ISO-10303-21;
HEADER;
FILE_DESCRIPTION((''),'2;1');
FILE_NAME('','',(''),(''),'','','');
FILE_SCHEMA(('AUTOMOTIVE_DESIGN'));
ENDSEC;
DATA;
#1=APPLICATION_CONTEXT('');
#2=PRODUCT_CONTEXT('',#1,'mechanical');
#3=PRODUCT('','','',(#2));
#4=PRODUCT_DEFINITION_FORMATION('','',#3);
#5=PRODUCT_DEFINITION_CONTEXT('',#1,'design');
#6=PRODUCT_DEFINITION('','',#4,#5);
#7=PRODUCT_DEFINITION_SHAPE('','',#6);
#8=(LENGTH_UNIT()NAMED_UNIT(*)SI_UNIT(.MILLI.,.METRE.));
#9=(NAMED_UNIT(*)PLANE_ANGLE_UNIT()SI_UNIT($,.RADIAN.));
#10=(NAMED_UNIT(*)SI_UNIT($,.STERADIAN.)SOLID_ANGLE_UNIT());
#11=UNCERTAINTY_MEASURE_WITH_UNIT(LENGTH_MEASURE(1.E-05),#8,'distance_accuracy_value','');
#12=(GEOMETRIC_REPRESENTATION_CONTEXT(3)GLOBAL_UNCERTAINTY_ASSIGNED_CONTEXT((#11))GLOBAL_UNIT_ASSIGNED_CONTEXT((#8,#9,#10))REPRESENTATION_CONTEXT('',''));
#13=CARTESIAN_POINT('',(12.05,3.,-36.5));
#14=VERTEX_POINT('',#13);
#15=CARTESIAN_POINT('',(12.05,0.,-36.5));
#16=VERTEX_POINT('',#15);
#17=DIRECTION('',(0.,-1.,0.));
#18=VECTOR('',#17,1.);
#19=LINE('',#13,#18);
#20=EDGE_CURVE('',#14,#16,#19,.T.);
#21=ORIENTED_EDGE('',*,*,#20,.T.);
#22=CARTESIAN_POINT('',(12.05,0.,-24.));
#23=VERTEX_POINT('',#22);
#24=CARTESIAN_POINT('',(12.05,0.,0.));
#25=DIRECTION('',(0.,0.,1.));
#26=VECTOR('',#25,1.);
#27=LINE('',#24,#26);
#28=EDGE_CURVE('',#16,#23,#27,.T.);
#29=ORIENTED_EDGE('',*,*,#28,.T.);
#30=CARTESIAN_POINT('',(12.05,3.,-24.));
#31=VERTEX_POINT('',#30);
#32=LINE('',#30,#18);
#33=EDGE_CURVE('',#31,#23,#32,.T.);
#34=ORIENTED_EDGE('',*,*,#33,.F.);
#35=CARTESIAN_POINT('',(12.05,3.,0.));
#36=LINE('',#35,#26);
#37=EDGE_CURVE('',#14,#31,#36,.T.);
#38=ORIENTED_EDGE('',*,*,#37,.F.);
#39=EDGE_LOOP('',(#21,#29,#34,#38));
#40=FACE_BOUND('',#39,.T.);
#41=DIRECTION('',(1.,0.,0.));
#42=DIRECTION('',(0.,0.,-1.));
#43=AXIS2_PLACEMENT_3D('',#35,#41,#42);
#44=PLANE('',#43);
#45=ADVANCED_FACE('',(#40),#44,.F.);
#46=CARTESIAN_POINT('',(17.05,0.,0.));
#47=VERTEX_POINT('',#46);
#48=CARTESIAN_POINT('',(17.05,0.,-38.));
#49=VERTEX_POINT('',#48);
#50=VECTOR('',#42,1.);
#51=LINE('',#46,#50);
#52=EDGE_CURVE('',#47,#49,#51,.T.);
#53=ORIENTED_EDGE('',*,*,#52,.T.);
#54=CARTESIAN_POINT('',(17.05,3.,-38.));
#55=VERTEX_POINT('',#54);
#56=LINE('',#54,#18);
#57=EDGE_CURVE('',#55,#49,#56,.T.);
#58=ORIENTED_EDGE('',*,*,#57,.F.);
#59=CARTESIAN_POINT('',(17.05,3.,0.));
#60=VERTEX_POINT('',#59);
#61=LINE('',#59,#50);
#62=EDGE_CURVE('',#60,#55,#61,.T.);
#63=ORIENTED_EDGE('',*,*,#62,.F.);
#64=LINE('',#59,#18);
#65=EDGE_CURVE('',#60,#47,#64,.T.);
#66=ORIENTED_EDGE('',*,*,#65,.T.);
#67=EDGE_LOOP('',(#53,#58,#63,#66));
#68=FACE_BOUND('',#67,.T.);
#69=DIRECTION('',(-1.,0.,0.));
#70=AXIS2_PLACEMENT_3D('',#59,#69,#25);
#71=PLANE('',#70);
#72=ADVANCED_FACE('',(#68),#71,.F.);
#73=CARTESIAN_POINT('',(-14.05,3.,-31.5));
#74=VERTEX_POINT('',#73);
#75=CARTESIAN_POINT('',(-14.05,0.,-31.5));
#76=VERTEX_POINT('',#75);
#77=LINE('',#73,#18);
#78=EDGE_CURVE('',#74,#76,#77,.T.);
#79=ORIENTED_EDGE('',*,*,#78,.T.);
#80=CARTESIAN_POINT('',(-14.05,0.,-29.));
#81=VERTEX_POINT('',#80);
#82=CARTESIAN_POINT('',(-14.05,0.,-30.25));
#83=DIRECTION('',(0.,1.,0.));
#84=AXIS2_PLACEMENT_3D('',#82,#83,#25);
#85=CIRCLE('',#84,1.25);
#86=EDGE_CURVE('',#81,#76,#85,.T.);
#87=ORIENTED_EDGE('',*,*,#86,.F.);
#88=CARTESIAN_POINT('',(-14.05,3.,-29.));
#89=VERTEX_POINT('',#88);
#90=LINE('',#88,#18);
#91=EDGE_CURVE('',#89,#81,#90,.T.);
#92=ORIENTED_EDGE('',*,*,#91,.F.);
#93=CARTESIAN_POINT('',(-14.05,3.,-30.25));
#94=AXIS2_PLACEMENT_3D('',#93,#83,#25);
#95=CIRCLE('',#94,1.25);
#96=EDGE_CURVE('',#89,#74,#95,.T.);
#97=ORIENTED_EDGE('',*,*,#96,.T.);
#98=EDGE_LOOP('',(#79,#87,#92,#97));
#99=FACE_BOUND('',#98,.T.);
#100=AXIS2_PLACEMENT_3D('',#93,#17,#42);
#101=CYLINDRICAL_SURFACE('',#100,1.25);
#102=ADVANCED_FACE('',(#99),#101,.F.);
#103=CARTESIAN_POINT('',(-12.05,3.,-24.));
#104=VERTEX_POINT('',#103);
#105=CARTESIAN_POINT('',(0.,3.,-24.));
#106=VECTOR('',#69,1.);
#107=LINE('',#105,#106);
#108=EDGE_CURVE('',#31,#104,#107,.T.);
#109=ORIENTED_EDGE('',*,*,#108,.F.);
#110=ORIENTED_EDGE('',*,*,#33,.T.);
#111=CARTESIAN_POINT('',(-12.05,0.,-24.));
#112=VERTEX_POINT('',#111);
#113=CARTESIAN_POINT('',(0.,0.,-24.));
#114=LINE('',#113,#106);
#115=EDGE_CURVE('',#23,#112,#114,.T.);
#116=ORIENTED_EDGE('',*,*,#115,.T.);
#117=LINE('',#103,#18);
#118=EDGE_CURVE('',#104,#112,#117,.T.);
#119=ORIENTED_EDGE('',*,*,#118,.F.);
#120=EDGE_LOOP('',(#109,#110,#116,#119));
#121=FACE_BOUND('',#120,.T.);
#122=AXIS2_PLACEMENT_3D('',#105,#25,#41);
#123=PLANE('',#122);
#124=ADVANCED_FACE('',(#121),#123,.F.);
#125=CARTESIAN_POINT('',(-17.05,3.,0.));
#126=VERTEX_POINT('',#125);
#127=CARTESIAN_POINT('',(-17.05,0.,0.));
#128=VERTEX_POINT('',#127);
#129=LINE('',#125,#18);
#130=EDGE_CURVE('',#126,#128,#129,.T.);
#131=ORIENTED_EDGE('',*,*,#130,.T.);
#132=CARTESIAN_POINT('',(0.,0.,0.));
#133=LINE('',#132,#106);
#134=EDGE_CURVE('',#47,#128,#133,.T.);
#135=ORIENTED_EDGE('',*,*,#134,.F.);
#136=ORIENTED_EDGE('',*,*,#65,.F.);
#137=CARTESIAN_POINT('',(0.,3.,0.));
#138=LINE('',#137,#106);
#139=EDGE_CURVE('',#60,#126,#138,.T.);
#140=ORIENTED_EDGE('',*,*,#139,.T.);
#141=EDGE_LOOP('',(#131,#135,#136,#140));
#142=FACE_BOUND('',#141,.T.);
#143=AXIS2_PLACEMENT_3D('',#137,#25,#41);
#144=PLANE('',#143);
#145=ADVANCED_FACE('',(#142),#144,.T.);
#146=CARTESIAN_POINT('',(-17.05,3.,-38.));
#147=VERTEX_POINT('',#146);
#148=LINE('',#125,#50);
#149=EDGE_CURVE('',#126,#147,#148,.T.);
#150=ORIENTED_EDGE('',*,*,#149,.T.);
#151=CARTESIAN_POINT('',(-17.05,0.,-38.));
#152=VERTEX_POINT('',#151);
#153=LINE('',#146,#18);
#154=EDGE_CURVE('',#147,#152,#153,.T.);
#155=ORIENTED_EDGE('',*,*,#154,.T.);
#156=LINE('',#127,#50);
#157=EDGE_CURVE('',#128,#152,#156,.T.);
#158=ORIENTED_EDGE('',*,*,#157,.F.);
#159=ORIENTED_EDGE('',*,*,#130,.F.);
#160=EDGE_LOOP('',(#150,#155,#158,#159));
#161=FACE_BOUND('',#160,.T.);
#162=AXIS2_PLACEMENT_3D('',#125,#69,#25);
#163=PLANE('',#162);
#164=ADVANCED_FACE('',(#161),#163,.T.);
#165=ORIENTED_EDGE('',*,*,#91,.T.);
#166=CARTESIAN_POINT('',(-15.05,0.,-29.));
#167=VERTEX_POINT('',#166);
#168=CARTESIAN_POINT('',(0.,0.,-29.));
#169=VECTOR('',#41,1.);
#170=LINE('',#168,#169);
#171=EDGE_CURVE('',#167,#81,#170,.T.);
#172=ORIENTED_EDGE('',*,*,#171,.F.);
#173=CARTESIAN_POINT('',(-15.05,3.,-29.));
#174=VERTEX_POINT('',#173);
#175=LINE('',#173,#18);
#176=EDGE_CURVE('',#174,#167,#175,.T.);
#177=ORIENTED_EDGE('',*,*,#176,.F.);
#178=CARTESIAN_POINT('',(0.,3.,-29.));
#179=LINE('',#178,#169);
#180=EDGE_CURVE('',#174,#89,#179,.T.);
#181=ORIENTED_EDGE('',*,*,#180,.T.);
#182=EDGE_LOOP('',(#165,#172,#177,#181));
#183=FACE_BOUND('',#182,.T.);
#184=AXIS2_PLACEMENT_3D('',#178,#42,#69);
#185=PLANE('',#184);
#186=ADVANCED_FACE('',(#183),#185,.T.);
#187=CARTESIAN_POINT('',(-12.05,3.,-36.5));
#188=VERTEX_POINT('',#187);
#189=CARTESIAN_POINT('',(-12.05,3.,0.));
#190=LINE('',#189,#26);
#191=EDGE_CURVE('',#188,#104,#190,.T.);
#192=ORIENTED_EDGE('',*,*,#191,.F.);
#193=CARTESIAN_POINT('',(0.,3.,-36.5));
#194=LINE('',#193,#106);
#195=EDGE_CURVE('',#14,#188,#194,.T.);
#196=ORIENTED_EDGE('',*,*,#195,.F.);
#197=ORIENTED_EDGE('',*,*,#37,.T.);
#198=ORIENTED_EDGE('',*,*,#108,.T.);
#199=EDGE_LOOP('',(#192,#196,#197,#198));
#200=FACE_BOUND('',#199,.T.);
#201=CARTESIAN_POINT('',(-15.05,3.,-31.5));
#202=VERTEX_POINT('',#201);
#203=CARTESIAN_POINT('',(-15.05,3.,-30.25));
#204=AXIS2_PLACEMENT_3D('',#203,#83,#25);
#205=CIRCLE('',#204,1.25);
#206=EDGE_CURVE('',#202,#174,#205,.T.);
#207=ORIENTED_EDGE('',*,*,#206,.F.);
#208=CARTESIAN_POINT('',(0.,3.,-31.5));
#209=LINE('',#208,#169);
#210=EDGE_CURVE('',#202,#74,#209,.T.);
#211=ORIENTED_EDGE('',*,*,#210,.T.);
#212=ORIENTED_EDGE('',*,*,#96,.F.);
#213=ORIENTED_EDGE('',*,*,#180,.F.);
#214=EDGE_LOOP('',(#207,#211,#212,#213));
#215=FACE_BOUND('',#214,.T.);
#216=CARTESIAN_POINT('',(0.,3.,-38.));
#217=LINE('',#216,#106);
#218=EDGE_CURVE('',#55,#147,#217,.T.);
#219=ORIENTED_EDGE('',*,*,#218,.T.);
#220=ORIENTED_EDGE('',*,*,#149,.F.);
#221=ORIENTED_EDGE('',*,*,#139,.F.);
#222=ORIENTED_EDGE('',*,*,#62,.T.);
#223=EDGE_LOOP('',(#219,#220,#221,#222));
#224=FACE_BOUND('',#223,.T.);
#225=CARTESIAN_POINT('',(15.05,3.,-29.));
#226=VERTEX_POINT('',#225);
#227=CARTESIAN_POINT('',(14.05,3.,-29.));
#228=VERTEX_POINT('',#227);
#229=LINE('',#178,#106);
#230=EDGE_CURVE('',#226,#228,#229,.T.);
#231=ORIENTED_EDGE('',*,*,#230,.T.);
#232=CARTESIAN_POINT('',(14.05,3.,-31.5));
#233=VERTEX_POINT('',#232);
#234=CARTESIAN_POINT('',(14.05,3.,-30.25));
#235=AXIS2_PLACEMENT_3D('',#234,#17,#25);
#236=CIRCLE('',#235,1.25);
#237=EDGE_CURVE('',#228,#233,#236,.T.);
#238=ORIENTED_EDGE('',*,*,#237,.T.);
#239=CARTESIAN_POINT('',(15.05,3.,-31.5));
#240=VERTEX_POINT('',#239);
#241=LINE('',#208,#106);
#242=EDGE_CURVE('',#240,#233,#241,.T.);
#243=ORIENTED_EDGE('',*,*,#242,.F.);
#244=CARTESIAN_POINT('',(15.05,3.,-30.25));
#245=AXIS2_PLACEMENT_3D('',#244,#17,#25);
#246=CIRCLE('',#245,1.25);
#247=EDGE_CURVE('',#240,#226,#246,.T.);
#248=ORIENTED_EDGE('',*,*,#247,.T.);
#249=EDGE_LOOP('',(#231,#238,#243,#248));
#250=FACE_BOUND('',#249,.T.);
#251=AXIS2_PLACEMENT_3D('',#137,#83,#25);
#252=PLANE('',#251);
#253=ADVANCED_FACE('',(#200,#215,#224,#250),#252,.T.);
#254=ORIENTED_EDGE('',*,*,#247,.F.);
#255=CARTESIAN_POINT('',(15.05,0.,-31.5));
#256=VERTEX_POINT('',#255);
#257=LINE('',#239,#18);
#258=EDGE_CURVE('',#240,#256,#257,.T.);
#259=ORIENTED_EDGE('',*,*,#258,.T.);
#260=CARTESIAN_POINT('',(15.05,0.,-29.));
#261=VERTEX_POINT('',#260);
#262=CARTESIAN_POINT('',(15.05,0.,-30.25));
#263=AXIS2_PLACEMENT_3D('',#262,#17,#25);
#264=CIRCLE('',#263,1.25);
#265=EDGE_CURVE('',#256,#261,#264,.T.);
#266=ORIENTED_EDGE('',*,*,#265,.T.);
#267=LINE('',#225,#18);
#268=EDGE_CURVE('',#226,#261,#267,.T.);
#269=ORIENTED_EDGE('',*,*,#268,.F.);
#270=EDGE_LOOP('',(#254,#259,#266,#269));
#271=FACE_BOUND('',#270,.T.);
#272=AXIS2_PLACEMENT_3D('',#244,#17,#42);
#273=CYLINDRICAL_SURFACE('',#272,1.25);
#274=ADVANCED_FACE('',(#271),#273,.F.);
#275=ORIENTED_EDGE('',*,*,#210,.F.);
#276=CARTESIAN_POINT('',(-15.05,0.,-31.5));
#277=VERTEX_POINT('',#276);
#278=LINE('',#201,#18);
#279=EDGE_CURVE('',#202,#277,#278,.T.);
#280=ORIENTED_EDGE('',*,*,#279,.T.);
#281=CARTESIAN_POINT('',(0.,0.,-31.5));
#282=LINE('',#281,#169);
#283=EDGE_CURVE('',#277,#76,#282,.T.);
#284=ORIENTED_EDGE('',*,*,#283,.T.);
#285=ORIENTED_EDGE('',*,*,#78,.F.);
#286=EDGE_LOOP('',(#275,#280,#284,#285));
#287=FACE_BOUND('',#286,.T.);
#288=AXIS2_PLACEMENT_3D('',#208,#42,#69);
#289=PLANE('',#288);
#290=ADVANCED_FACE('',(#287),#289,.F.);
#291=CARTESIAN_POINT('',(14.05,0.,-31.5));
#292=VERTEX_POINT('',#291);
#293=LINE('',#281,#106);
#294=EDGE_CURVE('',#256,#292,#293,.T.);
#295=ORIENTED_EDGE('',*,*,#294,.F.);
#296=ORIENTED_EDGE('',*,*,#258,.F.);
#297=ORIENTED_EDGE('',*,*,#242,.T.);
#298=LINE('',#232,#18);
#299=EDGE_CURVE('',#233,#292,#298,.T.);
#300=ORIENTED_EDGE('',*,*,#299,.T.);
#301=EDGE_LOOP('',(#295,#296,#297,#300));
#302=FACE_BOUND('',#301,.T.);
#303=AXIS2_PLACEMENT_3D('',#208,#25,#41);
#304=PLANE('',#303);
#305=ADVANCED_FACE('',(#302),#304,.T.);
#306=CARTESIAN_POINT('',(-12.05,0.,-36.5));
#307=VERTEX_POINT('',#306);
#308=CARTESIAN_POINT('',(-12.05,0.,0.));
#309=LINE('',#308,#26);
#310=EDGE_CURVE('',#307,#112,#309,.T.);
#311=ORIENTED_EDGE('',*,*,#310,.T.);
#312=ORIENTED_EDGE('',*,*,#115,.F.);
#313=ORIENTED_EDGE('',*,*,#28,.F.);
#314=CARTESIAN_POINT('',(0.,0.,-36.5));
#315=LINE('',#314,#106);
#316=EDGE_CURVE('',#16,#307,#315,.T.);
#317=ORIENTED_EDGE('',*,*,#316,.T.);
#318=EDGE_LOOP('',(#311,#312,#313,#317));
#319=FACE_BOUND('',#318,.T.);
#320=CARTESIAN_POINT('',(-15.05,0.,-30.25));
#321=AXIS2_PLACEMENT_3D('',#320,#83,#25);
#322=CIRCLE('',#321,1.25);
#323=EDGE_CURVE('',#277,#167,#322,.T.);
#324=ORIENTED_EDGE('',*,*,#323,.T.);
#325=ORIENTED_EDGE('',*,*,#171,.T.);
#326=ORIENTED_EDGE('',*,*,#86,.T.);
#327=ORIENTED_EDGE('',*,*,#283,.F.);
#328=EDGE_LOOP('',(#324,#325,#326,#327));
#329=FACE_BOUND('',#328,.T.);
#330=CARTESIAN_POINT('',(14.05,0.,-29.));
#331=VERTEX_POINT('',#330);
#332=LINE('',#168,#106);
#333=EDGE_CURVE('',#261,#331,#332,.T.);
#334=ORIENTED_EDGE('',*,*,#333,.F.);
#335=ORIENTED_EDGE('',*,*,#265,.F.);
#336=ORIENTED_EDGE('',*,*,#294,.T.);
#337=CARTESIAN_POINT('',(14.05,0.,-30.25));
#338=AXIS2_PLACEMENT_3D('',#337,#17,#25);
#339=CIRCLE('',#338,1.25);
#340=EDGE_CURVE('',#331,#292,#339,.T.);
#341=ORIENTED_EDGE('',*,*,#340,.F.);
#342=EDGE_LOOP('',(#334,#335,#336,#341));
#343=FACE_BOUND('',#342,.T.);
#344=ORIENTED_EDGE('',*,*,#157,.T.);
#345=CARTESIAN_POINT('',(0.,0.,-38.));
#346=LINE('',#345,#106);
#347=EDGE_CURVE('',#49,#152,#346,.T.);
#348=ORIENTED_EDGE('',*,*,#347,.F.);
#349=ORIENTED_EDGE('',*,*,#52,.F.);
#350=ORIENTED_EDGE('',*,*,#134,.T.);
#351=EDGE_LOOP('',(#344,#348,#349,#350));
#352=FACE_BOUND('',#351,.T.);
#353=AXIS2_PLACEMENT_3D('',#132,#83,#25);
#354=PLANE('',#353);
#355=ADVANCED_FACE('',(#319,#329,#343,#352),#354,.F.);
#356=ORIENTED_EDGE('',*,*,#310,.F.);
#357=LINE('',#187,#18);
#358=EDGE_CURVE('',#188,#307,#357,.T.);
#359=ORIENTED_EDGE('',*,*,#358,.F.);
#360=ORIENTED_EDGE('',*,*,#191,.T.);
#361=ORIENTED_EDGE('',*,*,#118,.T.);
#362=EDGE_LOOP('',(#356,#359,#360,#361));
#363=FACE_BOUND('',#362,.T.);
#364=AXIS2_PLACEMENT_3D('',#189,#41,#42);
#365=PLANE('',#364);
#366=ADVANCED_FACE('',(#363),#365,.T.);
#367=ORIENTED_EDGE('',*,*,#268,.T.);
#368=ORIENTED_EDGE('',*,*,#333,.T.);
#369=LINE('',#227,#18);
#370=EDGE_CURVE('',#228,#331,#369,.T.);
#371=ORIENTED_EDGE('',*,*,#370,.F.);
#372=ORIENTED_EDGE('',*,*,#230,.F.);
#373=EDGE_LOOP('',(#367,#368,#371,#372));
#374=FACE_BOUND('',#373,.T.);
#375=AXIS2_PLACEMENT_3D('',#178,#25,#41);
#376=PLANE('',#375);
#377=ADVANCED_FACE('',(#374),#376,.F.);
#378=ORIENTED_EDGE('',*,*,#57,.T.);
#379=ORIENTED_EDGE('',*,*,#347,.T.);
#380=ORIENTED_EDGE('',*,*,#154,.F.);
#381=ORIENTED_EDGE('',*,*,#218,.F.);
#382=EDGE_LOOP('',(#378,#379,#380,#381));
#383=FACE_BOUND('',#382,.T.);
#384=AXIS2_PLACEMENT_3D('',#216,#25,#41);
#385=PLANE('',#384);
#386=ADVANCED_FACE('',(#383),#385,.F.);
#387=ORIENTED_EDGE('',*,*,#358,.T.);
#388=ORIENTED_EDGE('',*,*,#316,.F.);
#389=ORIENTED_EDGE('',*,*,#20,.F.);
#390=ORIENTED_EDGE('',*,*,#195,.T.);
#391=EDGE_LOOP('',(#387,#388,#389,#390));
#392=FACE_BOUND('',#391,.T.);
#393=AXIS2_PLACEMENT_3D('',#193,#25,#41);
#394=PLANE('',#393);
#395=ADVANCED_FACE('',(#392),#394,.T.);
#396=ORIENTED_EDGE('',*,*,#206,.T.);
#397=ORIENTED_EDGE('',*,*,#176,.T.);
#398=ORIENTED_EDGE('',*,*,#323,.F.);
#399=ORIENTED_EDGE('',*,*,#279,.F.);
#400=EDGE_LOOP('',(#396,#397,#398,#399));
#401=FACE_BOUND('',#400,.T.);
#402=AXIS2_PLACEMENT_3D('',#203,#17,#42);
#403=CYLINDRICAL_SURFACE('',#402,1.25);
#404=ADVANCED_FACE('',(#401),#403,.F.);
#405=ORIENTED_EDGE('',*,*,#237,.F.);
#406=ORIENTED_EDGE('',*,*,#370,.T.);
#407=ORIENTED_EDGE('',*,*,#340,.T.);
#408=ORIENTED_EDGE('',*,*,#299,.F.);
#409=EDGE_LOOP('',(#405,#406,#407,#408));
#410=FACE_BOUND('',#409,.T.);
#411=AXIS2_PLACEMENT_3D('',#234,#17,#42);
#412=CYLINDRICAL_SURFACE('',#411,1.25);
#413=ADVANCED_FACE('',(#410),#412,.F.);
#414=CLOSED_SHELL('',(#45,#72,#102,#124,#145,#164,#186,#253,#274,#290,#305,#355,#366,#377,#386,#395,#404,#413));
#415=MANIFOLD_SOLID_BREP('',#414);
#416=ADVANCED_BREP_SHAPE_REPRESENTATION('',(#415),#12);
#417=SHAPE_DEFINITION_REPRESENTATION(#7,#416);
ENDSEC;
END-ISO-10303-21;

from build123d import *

# Parameters (mm, degrees)
BOSS_EXTRU_1_DEPTH = 3


with BuildPart() as part:
    # Esquisse1 → Boss.-Extru.1 (new body)
    with BuildSketch(Plane(origin=(0, 0, 0), x_dir=(1, 0, 0), z_dir=(0, 1, 0))):
        Polygon((-12.05, 36.5), (0, 36.5), (0, 38), (-17.05, 38), (-17.05, 0), (0, 0), (0, 24), (-12.05, 24), align=None)
        with BuildLine():
            ThreePointArc((-15.05, 29), (-16.3, 30.25), (-15.05, 31.5))
            Line((-15.05, 31.5), (-14.05, 31.5))
            ThreePointArc((-14.05, 31.5), (-12.8, 30.25), (-14.05, 29))
            Line((-14.05, 29), (-15.05, 29))
        make_face(mode=Mode.SUBTRACT)
    boss_extru_1 = extrude(amount=BOSS_EXTRU_1_DEPTH)

    # Symétrie1: Boss.-Extru.1 across plane
    add(boss_extru_1.mirror(Plane(origin=(0, 3, 0), x_dir=(0, 0, 1), z_dir=(-1, 0, 0))))


solid = part.part
